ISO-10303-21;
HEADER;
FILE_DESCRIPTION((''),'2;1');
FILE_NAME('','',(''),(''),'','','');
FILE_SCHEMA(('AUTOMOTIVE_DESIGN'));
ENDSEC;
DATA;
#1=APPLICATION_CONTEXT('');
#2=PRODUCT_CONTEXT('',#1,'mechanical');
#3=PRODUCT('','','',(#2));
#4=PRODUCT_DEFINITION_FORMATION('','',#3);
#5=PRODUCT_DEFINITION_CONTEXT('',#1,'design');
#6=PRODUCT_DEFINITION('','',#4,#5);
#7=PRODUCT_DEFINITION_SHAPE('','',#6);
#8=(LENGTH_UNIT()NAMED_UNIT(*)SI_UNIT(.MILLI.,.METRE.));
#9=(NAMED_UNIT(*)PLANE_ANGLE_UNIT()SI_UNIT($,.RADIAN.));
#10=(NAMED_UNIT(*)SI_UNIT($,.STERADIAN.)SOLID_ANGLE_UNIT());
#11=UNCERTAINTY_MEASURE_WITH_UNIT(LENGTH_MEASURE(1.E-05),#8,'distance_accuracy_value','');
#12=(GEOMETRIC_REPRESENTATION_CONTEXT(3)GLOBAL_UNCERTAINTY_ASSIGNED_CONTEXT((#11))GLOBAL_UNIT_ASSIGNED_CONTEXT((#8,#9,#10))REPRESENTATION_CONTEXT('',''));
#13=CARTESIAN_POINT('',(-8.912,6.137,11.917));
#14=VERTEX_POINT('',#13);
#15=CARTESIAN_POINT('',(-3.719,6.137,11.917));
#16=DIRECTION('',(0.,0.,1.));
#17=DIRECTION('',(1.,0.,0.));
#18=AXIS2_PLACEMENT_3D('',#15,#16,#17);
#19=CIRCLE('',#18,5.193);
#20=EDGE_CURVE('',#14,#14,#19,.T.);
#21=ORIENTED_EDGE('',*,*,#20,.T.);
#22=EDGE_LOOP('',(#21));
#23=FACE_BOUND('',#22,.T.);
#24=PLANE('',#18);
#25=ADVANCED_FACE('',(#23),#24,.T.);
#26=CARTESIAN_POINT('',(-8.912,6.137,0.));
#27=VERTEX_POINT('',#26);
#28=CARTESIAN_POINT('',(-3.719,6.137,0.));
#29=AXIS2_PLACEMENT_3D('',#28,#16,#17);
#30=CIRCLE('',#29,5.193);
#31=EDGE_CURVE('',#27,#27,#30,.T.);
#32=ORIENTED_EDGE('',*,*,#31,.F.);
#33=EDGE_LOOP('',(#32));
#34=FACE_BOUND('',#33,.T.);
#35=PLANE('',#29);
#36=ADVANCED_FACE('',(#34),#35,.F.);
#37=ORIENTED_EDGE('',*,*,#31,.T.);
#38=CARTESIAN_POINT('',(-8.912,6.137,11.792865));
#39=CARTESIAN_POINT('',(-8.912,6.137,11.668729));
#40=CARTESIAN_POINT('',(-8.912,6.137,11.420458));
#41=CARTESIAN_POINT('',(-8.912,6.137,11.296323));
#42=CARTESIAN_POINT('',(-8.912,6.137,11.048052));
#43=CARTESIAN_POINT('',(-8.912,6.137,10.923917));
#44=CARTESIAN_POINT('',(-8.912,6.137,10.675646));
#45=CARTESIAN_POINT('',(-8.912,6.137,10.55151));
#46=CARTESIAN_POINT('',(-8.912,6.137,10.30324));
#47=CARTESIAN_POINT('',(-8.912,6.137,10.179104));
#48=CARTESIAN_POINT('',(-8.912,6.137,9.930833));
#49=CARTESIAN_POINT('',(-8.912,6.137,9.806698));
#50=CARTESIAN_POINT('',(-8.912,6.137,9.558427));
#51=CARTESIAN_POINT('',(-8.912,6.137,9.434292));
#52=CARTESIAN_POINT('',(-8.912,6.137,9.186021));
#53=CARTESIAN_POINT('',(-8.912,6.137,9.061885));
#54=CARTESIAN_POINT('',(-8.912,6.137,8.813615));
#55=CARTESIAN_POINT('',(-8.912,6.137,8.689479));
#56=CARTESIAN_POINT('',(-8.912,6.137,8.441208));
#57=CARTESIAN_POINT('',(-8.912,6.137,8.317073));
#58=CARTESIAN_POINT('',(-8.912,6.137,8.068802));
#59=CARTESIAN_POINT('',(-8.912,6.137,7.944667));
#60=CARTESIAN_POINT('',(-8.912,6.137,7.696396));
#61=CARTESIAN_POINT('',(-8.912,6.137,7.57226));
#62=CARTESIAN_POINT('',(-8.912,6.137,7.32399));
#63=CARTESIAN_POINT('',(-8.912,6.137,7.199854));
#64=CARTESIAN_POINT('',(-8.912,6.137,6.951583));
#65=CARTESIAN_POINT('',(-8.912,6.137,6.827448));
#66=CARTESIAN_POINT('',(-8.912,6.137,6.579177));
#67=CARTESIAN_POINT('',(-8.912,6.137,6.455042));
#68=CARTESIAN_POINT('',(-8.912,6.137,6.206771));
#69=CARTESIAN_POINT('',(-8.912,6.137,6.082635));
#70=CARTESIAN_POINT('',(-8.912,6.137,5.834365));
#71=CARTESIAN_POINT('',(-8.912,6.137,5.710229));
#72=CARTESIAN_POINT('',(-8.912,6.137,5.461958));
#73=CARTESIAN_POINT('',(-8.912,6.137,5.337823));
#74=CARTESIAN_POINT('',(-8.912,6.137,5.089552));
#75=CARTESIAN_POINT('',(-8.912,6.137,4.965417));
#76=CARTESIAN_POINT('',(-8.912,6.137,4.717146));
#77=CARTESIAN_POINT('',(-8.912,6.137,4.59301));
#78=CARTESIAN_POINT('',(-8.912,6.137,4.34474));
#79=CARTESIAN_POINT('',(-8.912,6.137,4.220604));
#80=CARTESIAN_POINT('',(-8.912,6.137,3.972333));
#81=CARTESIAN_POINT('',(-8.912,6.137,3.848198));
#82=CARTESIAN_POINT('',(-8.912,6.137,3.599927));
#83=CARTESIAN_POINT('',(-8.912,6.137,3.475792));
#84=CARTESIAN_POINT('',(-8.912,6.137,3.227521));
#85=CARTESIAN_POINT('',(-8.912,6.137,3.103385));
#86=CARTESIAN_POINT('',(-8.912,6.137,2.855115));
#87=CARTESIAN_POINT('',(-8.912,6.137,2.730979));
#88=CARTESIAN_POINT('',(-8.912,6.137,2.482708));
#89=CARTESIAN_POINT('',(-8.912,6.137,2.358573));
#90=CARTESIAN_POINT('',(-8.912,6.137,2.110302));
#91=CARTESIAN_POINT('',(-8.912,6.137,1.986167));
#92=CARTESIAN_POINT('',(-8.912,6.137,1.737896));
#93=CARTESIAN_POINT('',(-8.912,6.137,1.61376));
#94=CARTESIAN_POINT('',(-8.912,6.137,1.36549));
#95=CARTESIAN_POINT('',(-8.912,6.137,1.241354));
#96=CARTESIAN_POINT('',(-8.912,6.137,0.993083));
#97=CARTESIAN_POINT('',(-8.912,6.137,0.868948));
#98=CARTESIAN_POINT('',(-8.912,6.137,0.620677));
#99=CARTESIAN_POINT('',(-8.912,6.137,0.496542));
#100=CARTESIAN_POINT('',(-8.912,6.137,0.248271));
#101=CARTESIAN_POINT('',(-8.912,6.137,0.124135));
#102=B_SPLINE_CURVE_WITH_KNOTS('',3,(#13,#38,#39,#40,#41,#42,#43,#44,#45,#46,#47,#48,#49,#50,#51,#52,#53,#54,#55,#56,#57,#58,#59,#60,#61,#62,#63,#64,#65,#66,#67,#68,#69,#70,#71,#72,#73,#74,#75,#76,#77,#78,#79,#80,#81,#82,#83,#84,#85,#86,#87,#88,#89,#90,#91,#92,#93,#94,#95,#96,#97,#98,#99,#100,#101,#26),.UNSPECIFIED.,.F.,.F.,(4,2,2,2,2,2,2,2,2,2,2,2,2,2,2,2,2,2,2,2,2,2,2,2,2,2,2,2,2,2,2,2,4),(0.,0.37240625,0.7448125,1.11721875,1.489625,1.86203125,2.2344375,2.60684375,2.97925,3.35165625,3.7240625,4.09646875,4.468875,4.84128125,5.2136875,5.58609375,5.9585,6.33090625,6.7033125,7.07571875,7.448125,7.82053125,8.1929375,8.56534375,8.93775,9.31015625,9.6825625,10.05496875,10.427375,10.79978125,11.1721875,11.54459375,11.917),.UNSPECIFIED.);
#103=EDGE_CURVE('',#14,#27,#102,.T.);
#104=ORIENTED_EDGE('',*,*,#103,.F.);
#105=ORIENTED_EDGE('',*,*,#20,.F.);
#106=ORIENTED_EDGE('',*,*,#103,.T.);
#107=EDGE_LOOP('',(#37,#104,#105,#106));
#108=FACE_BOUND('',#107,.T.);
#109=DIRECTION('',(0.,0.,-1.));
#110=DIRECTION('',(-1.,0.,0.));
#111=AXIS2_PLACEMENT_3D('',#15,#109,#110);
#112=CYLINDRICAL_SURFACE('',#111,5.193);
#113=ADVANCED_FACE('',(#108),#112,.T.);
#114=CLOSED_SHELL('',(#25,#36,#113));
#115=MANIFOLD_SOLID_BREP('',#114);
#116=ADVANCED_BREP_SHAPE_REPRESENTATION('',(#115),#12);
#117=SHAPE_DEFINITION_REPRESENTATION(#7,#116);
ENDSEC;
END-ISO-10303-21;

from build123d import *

# Parameters (mm, degrees)
CURVESKETCH_R   = 5.193
CURVEBOSS_DEPTH = 11.917


with BuildPart() as part:
    # CurveSketch → CurveBoss (new body)
    with BuildSketch(Plane.XY):
        with Locations(Location((-3.719, 6.137, 0), (0, 0, 180))):
            Circle(CURVESKETCH_R)
    extrude(amount=CURVEBOSS_DEPTH)


solid = part.part
